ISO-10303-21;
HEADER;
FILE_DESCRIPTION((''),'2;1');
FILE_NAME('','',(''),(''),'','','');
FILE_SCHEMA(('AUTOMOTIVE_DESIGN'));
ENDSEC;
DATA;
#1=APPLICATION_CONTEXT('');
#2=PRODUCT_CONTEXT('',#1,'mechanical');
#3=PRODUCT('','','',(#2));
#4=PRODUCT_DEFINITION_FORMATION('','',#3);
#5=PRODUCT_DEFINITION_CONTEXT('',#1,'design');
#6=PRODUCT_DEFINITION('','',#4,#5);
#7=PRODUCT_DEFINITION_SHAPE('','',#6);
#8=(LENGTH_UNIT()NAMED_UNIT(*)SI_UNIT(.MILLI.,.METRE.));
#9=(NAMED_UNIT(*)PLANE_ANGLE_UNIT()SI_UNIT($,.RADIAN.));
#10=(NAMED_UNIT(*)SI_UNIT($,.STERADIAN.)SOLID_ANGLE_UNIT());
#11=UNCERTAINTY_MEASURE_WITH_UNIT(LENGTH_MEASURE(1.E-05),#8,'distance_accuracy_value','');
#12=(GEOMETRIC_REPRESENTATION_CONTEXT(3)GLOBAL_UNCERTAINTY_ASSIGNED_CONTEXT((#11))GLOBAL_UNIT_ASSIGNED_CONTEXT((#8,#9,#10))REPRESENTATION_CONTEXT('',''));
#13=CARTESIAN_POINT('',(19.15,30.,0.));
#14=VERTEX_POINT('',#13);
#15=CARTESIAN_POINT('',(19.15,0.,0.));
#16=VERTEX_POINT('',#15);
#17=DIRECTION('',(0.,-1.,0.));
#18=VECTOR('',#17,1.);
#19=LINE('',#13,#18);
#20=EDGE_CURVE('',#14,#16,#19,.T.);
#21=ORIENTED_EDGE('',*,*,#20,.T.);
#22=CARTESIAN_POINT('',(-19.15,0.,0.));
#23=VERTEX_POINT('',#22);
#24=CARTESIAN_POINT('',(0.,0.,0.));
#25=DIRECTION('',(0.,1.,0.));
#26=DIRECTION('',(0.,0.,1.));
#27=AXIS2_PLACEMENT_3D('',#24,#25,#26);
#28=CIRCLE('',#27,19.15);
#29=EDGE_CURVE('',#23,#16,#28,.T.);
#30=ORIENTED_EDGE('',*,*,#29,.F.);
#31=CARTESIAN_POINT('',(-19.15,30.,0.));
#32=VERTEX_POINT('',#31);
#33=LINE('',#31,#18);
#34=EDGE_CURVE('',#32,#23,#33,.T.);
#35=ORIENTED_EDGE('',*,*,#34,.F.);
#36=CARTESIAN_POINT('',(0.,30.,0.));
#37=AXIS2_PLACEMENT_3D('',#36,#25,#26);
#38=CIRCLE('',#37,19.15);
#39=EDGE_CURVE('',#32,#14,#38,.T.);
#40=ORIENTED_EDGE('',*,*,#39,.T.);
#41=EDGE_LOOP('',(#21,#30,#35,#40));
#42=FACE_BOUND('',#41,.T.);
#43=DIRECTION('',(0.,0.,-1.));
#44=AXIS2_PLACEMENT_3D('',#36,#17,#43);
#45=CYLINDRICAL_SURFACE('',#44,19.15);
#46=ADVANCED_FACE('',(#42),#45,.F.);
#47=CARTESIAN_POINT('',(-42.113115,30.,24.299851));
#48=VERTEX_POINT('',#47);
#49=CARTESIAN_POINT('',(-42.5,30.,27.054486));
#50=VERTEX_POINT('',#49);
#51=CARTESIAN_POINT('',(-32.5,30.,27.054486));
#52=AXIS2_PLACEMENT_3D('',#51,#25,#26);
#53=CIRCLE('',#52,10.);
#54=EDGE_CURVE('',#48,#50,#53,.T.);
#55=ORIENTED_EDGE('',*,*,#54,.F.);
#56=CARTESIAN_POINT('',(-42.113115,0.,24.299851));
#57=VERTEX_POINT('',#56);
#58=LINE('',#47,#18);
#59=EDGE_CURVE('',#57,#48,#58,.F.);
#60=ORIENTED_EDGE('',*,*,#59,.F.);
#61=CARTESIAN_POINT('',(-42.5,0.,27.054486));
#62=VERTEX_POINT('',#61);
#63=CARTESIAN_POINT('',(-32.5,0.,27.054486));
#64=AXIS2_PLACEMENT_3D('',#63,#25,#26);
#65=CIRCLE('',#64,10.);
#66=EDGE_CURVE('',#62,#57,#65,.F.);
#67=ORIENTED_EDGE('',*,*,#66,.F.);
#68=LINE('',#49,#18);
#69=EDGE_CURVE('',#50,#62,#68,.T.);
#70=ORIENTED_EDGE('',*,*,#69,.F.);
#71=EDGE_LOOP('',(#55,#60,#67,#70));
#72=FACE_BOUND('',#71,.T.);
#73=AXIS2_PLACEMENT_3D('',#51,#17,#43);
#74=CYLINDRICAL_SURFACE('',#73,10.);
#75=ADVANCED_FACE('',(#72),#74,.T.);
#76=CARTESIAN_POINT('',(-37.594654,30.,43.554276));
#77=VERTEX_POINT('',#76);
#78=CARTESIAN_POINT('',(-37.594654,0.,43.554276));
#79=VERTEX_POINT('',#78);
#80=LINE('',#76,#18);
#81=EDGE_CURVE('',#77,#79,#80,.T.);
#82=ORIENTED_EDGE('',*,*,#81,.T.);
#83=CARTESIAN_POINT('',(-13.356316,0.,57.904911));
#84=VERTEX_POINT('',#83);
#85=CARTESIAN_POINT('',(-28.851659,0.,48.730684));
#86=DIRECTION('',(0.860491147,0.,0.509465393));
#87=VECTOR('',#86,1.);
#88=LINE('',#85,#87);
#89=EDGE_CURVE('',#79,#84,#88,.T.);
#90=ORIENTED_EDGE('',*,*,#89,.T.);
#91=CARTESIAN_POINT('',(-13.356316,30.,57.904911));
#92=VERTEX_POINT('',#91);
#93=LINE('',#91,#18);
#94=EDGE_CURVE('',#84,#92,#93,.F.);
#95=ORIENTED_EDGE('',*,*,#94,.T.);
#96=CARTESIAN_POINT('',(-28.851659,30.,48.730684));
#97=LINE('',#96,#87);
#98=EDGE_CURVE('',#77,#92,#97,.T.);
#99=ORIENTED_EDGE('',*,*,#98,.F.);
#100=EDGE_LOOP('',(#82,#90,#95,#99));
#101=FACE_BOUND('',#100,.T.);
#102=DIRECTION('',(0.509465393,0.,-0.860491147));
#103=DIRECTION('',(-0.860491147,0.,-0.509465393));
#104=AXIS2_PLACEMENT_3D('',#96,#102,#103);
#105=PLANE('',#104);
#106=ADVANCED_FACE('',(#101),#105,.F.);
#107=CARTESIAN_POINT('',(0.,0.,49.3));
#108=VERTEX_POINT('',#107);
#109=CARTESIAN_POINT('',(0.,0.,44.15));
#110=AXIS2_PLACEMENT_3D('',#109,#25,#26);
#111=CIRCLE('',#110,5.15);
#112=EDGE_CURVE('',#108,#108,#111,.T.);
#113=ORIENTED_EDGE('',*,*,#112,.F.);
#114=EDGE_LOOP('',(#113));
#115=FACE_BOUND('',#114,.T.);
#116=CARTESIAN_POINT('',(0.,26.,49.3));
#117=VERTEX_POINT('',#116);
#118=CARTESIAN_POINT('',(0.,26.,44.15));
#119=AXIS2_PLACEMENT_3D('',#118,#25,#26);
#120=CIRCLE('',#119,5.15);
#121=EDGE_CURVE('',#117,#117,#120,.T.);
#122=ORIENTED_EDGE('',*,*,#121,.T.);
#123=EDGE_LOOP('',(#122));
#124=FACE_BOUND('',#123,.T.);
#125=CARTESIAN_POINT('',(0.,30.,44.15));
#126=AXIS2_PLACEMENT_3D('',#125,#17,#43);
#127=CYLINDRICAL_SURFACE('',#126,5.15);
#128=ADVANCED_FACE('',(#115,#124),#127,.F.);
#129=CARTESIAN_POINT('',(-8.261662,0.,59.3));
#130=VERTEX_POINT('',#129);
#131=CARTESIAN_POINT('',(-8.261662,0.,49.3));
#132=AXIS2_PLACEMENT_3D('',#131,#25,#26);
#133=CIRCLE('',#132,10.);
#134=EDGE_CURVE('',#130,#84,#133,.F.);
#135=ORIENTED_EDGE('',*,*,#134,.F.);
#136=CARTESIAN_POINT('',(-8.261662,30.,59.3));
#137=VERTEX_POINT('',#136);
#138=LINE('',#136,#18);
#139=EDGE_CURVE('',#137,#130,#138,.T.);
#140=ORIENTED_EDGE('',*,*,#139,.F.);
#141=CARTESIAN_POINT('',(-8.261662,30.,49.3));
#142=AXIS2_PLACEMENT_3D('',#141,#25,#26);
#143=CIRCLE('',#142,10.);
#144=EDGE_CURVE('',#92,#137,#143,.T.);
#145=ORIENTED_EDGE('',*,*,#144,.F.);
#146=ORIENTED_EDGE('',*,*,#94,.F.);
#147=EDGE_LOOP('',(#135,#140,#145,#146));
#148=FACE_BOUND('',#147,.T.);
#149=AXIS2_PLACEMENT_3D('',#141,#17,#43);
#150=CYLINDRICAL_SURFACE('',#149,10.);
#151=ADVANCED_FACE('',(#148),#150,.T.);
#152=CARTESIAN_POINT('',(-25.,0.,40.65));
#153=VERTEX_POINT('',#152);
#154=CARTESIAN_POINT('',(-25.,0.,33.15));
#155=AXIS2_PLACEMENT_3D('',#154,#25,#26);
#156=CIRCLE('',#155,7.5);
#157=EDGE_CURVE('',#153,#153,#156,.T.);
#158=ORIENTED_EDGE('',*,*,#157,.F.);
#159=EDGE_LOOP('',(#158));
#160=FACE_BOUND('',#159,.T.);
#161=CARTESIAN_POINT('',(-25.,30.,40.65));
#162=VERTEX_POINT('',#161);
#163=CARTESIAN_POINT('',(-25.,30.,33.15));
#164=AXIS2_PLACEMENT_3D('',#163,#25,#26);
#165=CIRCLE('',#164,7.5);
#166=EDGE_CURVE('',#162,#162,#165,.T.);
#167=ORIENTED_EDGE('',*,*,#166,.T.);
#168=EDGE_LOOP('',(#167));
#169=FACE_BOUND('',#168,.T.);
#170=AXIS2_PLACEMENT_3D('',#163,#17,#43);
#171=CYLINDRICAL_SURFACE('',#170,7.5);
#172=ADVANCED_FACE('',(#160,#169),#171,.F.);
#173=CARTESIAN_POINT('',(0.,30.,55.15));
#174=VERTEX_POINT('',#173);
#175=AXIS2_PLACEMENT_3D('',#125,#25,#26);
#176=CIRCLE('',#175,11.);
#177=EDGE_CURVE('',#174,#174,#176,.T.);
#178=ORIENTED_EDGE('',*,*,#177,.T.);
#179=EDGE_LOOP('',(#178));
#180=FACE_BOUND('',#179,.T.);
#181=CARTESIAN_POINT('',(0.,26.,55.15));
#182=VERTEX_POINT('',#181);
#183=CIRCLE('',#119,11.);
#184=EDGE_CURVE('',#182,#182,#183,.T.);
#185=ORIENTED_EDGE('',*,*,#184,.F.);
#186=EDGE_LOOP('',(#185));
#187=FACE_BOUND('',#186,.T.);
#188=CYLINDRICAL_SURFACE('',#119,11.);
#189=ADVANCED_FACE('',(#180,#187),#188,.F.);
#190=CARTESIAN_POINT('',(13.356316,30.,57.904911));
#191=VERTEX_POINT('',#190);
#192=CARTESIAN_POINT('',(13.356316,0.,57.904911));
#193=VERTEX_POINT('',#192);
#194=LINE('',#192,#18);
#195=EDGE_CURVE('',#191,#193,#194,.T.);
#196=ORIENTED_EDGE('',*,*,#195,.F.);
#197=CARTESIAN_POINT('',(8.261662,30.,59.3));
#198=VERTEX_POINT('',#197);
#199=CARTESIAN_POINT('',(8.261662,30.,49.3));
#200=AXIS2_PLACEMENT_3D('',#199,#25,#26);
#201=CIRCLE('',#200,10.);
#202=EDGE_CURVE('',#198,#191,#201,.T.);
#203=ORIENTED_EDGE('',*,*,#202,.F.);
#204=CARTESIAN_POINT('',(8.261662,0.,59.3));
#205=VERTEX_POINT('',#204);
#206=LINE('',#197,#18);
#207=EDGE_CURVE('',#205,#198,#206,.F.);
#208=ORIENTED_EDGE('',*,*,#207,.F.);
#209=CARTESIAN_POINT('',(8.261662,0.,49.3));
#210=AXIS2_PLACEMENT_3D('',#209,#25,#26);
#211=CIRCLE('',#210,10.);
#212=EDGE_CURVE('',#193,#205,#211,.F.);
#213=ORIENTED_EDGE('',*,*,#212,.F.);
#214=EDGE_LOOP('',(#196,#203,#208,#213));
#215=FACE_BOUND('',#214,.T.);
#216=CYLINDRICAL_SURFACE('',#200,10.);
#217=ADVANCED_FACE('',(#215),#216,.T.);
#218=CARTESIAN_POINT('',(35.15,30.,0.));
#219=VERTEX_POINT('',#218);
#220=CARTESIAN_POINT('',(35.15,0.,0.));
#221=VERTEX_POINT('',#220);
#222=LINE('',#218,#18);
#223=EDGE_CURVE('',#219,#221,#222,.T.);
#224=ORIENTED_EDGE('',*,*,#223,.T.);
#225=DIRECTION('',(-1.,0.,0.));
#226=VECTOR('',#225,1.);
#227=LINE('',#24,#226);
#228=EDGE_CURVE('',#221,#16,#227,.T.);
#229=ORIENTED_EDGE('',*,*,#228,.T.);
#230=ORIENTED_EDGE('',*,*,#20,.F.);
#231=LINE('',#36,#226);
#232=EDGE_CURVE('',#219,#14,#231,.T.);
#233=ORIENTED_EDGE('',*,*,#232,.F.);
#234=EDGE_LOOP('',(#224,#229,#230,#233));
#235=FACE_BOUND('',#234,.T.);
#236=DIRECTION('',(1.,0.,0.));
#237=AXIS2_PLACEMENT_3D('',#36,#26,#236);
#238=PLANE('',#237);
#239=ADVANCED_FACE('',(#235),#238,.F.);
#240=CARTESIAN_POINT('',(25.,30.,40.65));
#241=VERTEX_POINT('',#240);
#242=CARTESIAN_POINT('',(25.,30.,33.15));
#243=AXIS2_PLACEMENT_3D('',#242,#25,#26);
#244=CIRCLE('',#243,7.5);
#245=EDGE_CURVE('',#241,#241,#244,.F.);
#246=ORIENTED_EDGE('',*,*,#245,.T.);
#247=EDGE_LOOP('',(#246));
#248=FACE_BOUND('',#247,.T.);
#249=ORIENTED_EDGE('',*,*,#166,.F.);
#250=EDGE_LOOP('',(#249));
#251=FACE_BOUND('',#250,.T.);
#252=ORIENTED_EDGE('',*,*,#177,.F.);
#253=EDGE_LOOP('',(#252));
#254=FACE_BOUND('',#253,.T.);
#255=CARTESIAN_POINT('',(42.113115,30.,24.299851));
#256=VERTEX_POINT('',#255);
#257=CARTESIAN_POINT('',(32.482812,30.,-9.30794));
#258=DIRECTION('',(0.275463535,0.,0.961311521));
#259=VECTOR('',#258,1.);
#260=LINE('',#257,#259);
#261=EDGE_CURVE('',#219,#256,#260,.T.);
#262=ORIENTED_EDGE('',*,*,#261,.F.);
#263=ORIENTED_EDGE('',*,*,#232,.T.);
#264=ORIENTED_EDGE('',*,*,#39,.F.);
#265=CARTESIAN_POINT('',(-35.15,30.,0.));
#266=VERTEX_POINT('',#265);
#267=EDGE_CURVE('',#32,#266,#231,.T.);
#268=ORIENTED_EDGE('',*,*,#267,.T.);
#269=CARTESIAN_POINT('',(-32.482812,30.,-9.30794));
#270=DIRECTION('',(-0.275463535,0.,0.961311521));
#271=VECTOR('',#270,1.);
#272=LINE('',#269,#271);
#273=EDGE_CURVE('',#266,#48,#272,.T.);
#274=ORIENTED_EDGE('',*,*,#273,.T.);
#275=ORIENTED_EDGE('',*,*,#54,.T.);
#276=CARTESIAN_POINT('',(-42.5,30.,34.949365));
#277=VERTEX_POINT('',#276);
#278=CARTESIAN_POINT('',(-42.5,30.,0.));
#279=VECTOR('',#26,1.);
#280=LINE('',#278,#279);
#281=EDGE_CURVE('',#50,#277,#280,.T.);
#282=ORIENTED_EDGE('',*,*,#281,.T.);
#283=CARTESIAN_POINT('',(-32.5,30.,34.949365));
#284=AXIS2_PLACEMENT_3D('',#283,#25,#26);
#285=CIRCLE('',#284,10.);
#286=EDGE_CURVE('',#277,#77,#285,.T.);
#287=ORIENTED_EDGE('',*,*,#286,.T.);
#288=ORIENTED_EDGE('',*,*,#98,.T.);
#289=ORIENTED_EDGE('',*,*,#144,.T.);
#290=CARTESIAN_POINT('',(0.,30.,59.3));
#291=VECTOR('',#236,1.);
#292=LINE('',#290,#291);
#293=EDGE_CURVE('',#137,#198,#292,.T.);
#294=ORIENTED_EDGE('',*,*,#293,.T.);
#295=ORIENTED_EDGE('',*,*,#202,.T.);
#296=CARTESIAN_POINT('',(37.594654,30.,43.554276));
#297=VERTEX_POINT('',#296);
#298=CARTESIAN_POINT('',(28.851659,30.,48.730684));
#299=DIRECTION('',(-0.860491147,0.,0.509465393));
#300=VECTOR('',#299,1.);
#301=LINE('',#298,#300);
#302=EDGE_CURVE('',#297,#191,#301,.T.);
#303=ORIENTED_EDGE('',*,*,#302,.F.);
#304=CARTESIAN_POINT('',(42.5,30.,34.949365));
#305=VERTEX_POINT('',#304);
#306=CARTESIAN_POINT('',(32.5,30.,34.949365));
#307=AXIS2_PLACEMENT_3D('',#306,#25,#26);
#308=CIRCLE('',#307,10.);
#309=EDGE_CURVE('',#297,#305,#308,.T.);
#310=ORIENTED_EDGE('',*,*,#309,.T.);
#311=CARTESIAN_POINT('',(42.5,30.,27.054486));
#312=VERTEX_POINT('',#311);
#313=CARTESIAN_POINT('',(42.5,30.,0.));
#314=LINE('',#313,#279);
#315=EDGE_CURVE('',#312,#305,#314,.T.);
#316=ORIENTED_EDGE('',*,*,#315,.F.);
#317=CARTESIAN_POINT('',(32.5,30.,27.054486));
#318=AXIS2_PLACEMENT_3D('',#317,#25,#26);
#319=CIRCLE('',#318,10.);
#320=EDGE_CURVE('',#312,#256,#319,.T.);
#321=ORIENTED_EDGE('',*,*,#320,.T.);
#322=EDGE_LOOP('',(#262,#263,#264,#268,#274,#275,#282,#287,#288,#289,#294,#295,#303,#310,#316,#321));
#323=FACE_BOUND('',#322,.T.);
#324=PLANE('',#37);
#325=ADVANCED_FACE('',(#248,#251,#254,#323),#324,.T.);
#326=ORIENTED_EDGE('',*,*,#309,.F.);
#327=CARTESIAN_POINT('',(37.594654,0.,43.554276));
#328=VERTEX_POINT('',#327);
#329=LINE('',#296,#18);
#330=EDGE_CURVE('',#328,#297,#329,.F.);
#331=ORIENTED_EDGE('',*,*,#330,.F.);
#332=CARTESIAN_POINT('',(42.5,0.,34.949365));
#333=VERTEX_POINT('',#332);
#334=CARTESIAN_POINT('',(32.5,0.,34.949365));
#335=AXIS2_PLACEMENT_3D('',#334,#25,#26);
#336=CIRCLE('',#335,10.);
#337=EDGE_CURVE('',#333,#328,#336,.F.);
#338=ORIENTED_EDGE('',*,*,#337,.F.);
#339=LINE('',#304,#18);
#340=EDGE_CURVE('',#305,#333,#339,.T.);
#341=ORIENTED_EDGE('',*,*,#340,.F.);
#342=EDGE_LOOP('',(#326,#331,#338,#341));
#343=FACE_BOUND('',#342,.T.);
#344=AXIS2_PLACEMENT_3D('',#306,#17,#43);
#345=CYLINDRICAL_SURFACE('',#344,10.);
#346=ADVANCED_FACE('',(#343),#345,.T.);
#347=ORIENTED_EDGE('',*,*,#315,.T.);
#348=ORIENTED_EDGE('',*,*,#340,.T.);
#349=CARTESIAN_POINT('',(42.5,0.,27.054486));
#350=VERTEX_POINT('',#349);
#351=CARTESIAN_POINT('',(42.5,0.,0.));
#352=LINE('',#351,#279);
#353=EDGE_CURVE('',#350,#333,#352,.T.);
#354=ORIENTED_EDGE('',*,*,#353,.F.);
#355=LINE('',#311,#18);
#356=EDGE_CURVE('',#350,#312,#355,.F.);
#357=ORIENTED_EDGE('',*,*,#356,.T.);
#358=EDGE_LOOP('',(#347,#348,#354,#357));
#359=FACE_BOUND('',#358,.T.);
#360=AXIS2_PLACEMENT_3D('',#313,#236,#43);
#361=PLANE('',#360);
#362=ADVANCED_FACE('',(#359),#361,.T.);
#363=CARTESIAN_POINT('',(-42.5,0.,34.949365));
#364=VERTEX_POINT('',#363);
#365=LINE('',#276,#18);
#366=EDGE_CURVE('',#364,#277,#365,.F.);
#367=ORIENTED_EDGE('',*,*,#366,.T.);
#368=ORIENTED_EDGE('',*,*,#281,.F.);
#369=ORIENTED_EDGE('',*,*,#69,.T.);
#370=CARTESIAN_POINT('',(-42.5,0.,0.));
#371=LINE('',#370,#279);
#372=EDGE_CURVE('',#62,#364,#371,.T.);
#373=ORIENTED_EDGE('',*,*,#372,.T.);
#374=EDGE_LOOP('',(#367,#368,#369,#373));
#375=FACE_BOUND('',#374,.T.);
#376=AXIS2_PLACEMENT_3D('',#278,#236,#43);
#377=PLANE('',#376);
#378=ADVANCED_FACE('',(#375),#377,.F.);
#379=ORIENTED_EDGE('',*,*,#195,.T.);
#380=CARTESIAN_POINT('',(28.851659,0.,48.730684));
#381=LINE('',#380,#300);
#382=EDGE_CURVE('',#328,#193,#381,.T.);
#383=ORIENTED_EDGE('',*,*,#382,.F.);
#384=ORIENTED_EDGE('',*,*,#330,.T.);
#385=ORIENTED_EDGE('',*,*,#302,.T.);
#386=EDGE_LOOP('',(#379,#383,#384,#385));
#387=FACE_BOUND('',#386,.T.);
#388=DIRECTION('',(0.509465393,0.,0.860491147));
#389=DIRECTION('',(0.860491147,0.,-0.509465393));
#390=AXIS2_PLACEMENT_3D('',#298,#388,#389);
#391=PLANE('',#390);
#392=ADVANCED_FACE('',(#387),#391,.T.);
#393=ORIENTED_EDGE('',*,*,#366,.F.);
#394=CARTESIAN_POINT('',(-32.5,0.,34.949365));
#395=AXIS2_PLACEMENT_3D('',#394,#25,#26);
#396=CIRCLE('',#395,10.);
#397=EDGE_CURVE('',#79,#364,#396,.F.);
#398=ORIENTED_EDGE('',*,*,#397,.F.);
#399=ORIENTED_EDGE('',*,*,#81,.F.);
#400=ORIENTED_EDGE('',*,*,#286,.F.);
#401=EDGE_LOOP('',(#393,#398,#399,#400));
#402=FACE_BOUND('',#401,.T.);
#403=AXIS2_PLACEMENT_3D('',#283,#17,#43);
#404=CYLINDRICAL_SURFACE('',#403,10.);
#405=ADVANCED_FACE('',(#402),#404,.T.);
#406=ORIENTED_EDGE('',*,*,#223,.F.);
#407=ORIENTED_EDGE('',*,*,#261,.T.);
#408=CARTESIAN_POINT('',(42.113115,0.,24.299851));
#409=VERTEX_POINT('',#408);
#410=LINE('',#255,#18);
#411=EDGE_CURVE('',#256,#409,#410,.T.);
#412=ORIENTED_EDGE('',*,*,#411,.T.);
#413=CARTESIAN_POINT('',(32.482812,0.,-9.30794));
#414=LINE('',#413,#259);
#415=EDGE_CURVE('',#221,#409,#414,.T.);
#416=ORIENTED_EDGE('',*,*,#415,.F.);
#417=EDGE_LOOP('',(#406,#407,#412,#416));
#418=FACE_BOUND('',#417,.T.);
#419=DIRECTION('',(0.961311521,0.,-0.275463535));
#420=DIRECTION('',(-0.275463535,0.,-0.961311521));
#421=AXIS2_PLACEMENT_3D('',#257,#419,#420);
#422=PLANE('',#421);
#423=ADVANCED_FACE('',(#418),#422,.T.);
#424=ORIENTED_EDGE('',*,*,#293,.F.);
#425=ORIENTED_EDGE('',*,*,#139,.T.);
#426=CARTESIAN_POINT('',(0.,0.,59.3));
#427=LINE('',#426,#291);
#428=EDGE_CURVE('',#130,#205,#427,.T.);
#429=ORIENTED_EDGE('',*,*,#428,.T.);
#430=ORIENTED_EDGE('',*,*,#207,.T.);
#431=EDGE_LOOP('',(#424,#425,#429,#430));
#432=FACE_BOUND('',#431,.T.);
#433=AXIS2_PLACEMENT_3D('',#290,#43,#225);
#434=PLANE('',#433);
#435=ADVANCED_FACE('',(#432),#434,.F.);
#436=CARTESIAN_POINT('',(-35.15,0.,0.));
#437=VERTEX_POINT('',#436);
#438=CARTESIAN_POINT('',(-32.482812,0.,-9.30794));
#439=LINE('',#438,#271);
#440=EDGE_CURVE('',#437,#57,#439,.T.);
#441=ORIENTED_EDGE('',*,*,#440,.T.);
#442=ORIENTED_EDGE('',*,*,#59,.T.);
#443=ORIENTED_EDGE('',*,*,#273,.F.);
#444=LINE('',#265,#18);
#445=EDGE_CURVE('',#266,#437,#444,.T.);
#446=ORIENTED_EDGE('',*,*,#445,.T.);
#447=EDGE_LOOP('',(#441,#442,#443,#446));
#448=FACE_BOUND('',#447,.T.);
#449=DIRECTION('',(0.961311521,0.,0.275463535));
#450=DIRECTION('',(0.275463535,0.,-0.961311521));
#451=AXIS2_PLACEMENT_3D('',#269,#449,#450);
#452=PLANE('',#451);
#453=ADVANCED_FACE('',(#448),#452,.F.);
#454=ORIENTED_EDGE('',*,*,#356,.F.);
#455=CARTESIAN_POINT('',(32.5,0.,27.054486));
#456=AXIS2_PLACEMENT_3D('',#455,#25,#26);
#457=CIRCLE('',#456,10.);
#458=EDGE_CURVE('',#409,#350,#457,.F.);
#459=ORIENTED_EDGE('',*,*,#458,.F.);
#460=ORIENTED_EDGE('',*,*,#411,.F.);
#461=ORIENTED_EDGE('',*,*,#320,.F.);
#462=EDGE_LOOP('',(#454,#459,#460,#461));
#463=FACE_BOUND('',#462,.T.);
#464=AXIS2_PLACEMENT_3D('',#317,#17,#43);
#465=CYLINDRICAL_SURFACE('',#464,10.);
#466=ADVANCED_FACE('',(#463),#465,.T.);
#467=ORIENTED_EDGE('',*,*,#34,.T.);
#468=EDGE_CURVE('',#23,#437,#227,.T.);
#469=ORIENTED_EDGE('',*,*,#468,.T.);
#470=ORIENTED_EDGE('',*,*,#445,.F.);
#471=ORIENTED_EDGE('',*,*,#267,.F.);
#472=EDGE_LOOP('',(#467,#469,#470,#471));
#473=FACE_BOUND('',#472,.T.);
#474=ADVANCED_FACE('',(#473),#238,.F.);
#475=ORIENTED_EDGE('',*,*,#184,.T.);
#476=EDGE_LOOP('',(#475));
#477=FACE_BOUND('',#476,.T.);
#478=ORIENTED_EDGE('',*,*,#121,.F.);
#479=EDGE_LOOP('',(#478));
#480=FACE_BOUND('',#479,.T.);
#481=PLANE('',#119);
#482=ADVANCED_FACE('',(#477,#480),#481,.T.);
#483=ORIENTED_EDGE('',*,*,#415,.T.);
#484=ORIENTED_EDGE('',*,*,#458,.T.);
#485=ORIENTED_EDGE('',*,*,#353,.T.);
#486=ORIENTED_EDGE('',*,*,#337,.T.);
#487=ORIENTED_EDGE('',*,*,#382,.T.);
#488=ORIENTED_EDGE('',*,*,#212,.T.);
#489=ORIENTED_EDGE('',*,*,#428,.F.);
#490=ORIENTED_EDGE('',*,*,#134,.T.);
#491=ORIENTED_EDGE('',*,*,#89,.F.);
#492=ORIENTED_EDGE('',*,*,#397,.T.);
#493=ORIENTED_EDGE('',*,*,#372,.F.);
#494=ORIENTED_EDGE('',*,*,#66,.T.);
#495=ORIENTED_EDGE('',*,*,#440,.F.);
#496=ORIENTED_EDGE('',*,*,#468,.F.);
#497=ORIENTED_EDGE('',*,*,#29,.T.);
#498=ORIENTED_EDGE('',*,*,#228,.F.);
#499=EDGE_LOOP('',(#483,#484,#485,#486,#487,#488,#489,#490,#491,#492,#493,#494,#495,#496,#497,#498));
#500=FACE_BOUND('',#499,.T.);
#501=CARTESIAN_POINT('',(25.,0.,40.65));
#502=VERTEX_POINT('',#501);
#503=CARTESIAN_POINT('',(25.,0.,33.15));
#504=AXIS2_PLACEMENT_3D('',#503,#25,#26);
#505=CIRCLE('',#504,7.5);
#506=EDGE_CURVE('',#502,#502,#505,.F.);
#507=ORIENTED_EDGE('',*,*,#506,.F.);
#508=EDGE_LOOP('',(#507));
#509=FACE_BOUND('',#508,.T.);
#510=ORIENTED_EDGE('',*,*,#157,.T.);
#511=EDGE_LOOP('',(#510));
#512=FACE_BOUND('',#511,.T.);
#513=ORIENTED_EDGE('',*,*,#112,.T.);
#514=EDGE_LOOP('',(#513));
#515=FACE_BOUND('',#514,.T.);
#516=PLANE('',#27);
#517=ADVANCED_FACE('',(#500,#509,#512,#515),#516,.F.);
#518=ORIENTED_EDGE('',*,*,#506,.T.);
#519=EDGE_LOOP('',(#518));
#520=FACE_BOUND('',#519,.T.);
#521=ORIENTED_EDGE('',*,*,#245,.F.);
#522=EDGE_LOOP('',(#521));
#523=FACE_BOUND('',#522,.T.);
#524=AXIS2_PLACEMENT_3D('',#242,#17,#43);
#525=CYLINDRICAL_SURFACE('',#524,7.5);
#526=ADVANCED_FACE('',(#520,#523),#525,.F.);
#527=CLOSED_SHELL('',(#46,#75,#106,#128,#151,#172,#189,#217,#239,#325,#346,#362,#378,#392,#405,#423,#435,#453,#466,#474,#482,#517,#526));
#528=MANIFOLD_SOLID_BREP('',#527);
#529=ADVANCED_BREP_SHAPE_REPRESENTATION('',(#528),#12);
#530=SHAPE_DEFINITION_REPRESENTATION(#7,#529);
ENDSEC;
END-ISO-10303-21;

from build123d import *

# Parameters (mm, degrees)
SKETCH2_R           = 7.5
SKETCH2_R_2         = 5.15
BOSS_EXTRUDE1_DEPTH = 30
FILLET1_R           = 10
SKETCH4_R           = 11
CUT_EXTRUDE1_DEPTH  = 4


with BuildPart() as part:
    # Sketch2 → Boss-Extrude1 (new body)
    with BuildSketch(Plane(origin=(0, 0, 0), x_dir=(1, 0, 0), z_dir=(0, 1, 0))):
        with BuildLine():
            Line((35.15, 0), (19.15, 0))
            ThreePointArc((19.15, 0), (0, -19.15), (-19.15, 0))
            Line((-19.15, 0), (-35.15, 0))
            Line((-35.15, 0), (-42.5, -25.65))
            Line((-42.5, -25.65), (-42.5, -40.65))
            Line((-42.5, -40.65), (-11, -59.3))
            Line((-11, -59.3), (11, -59.3))
            Line((11, -59.3), (42.5, -40.65))
            Line((42.5, -40.65), (42.5, -25.65))
            Line((42.5, -25.65), (35.15, 0))
        make_face()
        with Locations((-25, -33.15)):
            Circle(SKETCH2_R, mode=Mode.SUBTRACT)
        with Locations((25, -33.15)):
            Circle(SKETCH2_R, mode=Mode.SUBTRACT)
        with Locations((0, -44.15)):
            Circle(SKETCH2_R_2, mode=Mode.SUBTRACT)
    extrude(amount=BOSS_EXTRUDE1_DEPTH)

    # Fillet1
    fillet1_edges = [part.edges().sort_by_distance(p)[0] for p in [
        (42.5, 15, 25.65),
        (42.5, 15, 40.65),
        (11, 15, 59.3),
        (-11, 15, 59.3),
        (-42.5, 15, 40.65),
        (-42.5, 15, 25.65),
    ]]
    fillet(fillet1_edges, radius=FILLET1_R)

    # Sketch4 → Cut-Extrude1 (cut)
    with BuildSketch(Plane(origin=(0, 30, 0), x_dir=(1, 0, 0), z_dir=(0, 1, 0))):
        with Locations((0, -44.15)):
            Circle(SKETCH4_R)
    extrude(amount=-CUT_EXTRUDE1_DEPTH, mode=Mode.SUBTRACT)


solid = part.part
